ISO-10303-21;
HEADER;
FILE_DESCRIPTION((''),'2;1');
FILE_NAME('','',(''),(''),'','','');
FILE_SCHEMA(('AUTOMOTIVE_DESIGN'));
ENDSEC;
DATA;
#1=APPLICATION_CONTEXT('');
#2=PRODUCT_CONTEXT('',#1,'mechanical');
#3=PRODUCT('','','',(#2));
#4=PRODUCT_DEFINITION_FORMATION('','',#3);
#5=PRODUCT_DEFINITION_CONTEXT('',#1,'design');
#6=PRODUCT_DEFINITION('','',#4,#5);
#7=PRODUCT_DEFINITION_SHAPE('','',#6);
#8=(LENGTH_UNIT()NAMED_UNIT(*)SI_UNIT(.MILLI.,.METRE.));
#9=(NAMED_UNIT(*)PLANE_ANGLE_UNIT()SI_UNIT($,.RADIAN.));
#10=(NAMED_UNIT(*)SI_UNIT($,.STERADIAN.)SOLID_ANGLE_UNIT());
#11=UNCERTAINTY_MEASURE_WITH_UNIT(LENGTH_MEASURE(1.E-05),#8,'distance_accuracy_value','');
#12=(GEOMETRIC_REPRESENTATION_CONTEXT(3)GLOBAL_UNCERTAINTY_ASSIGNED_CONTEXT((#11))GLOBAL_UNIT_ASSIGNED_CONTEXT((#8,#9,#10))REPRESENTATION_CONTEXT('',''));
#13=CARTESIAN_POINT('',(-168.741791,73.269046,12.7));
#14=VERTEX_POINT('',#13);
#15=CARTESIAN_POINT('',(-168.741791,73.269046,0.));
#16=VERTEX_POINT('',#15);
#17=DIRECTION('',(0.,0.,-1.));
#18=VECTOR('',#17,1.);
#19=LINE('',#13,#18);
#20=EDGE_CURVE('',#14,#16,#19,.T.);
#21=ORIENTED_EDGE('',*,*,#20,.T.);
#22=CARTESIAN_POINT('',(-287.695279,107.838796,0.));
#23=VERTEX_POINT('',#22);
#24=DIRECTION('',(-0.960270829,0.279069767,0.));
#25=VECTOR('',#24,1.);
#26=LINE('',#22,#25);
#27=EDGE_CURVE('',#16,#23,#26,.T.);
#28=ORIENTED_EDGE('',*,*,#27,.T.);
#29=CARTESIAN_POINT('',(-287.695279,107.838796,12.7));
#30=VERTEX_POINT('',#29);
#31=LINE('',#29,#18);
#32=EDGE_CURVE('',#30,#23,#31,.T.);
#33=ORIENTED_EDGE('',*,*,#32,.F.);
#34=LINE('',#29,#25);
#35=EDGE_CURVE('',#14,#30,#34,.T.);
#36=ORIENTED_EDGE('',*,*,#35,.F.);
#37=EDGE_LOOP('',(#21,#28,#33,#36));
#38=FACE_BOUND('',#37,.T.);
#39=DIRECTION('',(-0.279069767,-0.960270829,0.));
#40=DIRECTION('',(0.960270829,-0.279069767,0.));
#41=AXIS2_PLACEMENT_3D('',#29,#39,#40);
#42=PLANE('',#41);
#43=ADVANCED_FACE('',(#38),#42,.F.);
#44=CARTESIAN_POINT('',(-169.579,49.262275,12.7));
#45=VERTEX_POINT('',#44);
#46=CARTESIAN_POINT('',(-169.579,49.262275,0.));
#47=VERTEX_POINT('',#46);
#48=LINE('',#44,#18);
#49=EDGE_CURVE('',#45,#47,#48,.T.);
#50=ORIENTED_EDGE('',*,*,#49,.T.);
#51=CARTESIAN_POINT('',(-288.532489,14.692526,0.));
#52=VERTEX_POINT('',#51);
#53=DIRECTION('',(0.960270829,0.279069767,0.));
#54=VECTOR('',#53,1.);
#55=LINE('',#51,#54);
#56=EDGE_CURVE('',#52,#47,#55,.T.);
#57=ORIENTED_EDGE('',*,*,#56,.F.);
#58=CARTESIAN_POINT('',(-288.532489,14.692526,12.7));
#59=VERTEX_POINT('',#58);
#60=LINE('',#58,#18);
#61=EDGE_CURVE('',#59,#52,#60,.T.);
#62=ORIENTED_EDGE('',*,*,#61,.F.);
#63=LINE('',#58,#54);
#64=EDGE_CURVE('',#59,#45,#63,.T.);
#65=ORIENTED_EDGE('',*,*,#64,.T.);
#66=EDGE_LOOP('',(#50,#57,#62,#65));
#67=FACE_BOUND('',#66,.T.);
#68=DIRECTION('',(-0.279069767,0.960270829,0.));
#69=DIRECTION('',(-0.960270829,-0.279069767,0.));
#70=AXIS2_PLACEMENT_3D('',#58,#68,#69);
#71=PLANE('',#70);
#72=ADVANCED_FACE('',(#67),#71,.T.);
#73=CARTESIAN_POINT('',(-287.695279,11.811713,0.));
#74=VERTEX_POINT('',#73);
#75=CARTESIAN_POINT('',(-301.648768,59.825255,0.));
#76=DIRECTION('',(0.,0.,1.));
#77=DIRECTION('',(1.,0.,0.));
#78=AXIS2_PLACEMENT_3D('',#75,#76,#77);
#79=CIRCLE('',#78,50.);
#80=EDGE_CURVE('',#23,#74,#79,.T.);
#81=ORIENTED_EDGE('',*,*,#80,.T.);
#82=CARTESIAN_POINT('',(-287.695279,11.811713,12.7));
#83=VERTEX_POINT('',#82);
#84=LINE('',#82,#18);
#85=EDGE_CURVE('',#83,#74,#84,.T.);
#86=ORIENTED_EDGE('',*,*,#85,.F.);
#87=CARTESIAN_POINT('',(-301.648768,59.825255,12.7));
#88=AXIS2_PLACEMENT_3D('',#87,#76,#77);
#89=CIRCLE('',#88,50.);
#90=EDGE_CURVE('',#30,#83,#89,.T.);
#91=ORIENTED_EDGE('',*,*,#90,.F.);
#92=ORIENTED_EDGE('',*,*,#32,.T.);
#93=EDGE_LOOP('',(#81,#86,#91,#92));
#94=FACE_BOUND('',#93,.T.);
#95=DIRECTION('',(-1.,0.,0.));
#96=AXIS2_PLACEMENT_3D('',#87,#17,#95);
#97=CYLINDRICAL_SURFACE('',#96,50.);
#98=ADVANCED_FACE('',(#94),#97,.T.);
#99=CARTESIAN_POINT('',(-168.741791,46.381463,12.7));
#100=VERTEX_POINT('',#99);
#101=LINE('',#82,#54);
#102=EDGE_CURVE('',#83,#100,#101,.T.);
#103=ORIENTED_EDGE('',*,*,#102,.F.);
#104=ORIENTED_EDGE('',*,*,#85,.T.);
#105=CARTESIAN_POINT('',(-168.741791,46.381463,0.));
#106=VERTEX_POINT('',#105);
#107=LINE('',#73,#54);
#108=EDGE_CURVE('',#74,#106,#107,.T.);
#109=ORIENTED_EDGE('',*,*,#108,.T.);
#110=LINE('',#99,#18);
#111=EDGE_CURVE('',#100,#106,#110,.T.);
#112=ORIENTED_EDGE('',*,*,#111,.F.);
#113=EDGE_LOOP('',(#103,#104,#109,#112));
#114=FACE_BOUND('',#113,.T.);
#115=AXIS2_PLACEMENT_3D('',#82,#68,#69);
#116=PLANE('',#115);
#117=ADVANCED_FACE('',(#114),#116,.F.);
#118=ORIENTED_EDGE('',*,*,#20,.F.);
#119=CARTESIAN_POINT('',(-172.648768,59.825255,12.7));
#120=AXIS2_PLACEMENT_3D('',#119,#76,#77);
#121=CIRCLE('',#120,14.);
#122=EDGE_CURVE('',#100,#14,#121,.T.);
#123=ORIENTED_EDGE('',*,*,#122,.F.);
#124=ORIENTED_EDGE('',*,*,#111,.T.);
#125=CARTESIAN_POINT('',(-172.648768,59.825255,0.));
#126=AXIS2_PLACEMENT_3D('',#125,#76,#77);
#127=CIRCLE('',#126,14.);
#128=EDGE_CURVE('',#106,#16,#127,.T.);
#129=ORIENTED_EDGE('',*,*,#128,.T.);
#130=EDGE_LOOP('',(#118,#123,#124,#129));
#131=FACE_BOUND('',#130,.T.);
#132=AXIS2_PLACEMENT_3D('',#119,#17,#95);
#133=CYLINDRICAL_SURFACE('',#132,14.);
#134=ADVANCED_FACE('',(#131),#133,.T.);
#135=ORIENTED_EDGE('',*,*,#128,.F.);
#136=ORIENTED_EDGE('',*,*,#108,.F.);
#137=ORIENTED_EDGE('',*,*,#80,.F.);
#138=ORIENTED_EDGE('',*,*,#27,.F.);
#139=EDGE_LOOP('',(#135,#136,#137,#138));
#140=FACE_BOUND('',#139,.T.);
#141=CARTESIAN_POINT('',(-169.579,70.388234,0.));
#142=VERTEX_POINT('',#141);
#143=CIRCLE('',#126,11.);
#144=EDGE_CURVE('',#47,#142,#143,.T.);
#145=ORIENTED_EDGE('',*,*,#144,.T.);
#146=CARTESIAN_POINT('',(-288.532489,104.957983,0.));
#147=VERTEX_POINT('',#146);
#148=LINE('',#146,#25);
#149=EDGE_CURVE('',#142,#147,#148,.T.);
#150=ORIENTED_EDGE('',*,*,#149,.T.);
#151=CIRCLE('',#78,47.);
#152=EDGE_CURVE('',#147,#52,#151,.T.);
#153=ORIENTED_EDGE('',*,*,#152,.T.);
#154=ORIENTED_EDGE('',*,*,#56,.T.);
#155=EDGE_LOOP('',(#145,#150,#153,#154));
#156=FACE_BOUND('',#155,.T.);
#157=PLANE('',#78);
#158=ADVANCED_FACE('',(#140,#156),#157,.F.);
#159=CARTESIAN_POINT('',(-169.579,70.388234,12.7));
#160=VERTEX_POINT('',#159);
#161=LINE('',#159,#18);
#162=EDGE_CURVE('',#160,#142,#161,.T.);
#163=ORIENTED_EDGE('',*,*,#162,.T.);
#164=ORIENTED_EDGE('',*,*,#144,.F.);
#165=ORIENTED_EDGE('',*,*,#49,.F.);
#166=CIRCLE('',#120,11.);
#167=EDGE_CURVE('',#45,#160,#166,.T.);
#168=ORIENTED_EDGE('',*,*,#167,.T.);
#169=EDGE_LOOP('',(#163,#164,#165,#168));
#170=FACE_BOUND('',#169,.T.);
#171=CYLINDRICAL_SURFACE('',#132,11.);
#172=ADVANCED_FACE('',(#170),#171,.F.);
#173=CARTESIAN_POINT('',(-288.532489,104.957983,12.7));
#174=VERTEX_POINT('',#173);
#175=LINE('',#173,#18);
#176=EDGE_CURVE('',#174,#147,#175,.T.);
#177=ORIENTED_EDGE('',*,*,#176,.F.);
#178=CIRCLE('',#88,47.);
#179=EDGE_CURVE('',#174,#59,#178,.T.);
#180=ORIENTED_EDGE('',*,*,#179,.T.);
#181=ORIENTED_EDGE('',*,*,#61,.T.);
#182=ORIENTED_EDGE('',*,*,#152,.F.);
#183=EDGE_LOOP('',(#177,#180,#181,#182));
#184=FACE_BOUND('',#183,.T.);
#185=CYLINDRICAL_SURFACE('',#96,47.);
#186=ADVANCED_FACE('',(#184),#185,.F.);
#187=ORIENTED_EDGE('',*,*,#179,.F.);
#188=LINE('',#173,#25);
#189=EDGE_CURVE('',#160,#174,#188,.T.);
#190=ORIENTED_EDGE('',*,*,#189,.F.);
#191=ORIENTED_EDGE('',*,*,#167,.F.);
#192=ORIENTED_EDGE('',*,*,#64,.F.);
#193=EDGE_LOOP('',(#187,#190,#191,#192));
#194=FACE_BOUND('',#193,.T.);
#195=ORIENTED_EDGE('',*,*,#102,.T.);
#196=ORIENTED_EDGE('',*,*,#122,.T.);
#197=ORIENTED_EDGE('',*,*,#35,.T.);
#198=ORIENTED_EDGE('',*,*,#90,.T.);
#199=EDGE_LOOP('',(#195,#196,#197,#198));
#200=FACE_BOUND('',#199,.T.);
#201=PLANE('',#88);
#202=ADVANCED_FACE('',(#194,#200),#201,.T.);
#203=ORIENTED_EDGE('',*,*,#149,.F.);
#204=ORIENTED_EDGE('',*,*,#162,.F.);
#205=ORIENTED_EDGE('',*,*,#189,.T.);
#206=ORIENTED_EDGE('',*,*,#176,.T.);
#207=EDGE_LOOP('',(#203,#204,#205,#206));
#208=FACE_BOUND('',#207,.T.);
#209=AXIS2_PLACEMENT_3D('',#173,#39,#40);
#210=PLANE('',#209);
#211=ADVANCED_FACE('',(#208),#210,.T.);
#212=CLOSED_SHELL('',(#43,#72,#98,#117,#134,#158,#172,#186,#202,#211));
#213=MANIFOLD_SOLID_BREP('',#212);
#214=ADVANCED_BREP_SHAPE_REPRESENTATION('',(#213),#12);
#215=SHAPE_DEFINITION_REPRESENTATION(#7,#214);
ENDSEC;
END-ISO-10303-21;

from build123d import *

# Parameters (mm, degrees)
BOSS_EXTRUDE1_DEPTH = 12.7


with BuildPart() as part:
    # Sketch1 → Boss-Extrude1 (new body)
    with BuildSketch(Plane.XY):
        with BuildLine():
            Line((-287.695279257, 107.838795968), (-168.741790885, 73.269046127))
            ThreePointArc((-168.741790885, 73.269046127), (-158.648767629, 59.825254522), (-168.741790885, 46.381462917))
            Line((-168.741790885, 46.381462917), (-287.695279257, 11.811713075))
            ThreePointArc((-287.695279257, 11.811713075), (-351.648767629, 59.825254522), (-287.695279257, 107.838795968))
        make_face()
        with BuildLine():
            Line((-288.532488559, 104.957983482), (-169.579000187, 70.38823364))
            ThreePointArc((-169.579000187, 70.38823364), (-161.648767629, 59.825254522), (-169.579000187, 49.262275403))
            Line((-169.579000187, 49.262275403), (-288.532488559, 14.692525562))
            ThreePointArc((-288.532488559, 14.692525562), (-348.648767629, 59.825254522), (-288.532488559, 104.957983482))
        make_face(mode=Mode.SUBTRACT)
    extrude(amount=BOSS_EXTRUDE1_DEPTH)


solid = part.part
